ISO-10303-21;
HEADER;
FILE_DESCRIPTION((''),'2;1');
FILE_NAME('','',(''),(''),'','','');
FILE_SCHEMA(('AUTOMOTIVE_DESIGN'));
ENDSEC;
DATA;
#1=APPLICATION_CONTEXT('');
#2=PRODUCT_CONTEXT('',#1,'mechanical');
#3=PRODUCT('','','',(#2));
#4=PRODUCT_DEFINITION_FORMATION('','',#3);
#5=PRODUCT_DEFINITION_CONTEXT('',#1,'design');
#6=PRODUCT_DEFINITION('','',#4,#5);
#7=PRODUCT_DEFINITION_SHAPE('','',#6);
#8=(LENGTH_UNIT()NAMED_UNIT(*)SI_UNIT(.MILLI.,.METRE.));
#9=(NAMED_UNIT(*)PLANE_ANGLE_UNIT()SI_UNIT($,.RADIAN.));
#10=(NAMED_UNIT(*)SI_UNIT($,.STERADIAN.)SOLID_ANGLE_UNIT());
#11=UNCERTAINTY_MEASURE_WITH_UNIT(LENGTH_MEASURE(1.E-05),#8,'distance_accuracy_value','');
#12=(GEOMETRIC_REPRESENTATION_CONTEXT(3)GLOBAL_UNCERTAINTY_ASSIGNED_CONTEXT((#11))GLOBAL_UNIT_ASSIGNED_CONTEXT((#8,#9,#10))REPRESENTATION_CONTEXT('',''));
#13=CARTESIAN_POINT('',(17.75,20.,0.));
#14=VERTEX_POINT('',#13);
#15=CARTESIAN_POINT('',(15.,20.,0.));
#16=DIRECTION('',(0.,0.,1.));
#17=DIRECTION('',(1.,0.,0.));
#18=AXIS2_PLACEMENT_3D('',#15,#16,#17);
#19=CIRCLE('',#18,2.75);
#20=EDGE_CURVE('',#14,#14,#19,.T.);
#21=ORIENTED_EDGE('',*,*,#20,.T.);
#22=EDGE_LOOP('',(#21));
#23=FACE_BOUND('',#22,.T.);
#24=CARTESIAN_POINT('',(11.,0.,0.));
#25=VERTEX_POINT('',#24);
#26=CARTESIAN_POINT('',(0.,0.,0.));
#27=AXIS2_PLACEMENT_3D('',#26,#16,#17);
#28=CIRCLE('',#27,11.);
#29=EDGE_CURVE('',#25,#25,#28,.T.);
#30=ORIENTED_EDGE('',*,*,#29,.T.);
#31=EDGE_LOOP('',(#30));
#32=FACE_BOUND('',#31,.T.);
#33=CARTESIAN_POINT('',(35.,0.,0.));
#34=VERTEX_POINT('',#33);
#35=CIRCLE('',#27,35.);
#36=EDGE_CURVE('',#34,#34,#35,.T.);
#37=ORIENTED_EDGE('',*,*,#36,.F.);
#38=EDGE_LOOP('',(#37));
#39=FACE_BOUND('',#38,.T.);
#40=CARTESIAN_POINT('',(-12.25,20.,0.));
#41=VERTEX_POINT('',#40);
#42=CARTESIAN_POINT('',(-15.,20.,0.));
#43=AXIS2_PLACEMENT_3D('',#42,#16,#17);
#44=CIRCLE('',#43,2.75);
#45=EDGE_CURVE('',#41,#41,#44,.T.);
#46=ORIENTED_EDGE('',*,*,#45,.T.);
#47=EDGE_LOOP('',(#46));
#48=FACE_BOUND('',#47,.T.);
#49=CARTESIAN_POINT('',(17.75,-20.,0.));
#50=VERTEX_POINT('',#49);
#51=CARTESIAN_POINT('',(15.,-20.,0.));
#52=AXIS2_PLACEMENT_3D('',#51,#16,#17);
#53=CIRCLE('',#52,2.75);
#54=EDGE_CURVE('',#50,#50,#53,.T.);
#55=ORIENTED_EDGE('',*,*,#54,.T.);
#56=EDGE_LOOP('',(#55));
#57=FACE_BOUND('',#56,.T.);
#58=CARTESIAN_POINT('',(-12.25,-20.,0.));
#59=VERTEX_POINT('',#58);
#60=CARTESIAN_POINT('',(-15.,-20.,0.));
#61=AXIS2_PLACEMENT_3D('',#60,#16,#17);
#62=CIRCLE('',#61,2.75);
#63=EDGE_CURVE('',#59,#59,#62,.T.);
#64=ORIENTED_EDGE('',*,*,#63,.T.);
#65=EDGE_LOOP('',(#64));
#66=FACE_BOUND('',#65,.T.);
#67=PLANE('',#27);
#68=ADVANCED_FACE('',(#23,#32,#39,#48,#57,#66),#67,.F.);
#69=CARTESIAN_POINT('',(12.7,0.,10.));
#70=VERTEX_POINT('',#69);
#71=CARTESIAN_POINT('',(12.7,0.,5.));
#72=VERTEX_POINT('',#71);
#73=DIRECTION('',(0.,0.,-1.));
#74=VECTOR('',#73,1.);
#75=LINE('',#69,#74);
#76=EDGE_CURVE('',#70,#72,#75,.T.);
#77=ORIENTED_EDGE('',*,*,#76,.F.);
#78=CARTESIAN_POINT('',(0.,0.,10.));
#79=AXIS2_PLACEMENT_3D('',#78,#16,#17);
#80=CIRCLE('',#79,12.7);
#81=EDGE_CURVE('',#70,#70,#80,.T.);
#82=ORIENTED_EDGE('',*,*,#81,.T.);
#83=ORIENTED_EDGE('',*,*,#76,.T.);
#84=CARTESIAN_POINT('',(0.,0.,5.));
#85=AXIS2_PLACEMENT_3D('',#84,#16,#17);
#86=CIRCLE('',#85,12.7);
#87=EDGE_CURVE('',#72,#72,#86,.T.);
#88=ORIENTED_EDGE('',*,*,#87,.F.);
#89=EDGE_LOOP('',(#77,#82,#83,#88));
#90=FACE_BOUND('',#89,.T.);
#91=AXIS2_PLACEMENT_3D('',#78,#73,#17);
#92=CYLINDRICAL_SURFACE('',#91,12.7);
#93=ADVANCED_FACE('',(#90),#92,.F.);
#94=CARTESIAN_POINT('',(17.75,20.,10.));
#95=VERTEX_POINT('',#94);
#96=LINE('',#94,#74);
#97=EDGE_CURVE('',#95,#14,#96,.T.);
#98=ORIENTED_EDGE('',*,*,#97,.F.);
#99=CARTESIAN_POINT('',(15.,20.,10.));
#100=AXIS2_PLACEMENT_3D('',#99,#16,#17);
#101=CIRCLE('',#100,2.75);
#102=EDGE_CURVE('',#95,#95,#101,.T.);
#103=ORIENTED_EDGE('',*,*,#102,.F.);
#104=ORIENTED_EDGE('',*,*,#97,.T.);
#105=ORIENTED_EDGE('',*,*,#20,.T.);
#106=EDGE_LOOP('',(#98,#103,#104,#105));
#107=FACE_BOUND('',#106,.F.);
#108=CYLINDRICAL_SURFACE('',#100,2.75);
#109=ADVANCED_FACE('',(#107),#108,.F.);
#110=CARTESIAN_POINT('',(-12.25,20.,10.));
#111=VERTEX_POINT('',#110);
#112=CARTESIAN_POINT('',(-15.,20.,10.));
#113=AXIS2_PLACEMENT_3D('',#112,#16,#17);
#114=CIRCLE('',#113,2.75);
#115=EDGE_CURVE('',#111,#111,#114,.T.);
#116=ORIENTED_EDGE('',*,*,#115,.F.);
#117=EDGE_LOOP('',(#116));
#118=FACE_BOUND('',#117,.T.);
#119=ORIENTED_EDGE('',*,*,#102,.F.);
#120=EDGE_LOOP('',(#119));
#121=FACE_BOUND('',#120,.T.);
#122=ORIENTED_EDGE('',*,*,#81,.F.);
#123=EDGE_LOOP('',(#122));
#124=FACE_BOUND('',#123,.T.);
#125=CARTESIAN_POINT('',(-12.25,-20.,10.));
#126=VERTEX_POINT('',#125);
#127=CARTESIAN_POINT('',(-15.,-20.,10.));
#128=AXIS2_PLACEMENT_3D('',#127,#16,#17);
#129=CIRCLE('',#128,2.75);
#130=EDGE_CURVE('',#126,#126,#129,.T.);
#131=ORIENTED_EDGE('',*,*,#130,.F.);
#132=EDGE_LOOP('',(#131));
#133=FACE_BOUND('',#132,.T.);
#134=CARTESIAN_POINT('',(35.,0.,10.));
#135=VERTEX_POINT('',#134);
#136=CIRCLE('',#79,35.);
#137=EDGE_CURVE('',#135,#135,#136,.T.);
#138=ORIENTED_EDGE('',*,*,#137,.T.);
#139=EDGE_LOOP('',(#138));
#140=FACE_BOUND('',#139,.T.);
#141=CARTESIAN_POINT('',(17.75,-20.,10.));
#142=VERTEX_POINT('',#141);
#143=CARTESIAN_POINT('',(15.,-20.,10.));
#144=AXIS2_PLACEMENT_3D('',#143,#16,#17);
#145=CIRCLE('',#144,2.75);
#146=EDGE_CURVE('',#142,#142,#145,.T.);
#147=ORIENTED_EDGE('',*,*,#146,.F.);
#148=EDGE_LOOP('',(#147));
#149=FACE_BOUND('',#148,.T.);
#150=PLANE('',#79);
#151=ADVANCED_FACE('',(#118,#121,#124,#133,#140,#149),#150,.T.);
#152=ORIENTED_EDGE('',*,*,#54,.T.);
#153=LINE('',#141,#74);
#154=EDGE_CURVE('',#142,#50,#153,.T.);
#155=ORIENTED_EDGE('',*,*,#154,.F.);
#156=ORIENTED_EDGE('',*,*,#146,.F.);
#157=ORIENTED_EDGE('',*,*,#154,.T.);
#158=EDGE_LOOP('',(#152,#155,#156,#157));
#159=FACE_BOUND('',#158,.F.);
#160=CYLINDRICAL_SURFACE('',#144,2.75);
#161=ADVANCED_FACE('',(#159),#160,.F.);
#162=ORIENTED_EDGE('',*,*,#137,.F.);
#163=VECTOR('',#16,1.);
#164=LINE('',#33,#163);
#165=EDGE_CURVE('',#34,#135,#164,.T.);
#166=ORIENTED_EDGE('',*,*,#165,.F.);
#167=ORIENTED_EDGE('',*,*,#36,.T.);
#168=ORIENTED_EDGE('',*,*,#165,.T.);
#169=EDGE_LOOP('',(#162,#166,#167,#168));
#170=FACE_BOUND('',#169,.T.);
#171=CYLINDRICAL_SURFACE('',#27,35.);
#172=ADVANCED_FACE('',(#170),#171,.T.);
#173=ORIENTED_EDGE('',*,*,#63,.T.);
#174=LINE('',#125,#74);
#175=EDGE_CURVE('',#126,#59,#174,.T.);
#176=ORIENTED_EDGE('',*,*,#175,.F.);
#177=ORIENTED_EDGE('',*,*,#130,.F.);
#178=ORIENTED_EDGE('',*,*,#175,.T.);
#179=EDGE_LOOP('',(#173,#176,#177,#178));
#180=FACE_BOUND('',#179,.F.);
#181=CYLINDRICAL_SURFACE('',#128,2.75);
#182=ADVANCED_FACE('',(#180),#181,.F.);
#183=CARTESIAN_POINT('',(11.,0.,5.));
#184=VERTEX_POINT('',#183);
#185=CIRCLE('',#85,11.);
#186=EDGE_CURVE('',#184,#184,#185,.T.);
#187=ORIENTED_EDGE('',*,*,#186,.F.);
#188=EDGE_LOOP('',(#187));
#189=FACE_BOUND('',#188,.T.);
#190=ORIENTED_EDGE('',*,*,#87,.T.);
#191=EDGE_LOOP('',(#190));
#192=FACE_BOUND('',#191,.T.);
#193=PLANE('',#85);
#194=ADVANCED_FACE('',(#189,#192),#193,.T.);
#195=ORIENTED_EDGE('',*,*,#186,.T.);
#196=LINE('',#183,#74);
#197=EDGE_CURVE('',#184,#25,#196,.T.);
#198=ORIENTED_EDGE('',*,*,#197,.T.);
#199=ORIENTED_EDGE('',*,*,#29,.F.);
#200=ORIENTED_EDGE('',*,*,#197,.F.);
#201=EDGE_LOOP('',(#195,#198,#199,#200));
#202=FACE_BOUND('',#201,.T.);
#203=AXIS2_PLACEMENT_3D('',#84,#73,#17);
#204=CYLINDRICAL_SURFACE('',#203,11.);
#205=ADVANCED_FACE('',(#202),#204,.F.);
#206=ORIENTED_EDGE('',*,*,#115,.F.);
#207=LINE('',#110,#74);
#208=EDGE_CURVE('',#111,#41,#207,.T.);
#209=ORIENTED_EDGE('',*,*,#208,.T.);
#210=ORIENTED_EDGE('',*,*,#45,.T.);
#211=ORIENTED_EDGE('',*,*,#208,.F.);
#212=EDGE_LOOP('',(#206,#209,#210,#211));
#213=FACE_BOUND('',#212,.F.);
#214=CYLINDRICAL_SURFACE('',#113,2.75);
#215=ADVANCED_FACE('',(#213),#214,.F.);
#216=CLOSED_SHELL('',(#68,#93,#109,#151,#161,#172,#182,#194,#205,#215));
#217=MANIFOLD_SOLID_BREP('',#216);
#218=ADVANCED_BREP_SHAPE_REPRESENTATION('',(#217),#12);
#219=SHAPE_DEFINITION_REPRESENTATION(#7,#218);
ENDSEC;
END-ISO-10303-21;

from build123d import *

# Parameters (mm, degrees)
F2_R     = 2.75
F3_DEPTH = 10


with BuildPart() as f1:
    # F0 (on Front) → F1 (revolve)
    with BuildSketch(Plane.XZ):
        Polygon((11, 5), (11, 0), (35, 0), (35, 10), (12.7, 10), (12.7, 5), align=None)
    revolve(axis=Axis((0, 0, 6.447879), (0, 0, 1)))

    # F2 (on face) → F3 (cut)
    with BuildSketch(Plane.XY.offset(10)):
        with Locations((-15, 20)):
            Circle(F2_R)
        with Locations((-15, -20)):
            Circle(F2_R)
        with Locations((15, -20)):
            Circle(F2_R)
        with Locations((15, 20)):
            Circle(F2_R)
    extrude(amount=-F3_DEPTH, mode=Mode.SUBTRACT)


solid = f1.part
